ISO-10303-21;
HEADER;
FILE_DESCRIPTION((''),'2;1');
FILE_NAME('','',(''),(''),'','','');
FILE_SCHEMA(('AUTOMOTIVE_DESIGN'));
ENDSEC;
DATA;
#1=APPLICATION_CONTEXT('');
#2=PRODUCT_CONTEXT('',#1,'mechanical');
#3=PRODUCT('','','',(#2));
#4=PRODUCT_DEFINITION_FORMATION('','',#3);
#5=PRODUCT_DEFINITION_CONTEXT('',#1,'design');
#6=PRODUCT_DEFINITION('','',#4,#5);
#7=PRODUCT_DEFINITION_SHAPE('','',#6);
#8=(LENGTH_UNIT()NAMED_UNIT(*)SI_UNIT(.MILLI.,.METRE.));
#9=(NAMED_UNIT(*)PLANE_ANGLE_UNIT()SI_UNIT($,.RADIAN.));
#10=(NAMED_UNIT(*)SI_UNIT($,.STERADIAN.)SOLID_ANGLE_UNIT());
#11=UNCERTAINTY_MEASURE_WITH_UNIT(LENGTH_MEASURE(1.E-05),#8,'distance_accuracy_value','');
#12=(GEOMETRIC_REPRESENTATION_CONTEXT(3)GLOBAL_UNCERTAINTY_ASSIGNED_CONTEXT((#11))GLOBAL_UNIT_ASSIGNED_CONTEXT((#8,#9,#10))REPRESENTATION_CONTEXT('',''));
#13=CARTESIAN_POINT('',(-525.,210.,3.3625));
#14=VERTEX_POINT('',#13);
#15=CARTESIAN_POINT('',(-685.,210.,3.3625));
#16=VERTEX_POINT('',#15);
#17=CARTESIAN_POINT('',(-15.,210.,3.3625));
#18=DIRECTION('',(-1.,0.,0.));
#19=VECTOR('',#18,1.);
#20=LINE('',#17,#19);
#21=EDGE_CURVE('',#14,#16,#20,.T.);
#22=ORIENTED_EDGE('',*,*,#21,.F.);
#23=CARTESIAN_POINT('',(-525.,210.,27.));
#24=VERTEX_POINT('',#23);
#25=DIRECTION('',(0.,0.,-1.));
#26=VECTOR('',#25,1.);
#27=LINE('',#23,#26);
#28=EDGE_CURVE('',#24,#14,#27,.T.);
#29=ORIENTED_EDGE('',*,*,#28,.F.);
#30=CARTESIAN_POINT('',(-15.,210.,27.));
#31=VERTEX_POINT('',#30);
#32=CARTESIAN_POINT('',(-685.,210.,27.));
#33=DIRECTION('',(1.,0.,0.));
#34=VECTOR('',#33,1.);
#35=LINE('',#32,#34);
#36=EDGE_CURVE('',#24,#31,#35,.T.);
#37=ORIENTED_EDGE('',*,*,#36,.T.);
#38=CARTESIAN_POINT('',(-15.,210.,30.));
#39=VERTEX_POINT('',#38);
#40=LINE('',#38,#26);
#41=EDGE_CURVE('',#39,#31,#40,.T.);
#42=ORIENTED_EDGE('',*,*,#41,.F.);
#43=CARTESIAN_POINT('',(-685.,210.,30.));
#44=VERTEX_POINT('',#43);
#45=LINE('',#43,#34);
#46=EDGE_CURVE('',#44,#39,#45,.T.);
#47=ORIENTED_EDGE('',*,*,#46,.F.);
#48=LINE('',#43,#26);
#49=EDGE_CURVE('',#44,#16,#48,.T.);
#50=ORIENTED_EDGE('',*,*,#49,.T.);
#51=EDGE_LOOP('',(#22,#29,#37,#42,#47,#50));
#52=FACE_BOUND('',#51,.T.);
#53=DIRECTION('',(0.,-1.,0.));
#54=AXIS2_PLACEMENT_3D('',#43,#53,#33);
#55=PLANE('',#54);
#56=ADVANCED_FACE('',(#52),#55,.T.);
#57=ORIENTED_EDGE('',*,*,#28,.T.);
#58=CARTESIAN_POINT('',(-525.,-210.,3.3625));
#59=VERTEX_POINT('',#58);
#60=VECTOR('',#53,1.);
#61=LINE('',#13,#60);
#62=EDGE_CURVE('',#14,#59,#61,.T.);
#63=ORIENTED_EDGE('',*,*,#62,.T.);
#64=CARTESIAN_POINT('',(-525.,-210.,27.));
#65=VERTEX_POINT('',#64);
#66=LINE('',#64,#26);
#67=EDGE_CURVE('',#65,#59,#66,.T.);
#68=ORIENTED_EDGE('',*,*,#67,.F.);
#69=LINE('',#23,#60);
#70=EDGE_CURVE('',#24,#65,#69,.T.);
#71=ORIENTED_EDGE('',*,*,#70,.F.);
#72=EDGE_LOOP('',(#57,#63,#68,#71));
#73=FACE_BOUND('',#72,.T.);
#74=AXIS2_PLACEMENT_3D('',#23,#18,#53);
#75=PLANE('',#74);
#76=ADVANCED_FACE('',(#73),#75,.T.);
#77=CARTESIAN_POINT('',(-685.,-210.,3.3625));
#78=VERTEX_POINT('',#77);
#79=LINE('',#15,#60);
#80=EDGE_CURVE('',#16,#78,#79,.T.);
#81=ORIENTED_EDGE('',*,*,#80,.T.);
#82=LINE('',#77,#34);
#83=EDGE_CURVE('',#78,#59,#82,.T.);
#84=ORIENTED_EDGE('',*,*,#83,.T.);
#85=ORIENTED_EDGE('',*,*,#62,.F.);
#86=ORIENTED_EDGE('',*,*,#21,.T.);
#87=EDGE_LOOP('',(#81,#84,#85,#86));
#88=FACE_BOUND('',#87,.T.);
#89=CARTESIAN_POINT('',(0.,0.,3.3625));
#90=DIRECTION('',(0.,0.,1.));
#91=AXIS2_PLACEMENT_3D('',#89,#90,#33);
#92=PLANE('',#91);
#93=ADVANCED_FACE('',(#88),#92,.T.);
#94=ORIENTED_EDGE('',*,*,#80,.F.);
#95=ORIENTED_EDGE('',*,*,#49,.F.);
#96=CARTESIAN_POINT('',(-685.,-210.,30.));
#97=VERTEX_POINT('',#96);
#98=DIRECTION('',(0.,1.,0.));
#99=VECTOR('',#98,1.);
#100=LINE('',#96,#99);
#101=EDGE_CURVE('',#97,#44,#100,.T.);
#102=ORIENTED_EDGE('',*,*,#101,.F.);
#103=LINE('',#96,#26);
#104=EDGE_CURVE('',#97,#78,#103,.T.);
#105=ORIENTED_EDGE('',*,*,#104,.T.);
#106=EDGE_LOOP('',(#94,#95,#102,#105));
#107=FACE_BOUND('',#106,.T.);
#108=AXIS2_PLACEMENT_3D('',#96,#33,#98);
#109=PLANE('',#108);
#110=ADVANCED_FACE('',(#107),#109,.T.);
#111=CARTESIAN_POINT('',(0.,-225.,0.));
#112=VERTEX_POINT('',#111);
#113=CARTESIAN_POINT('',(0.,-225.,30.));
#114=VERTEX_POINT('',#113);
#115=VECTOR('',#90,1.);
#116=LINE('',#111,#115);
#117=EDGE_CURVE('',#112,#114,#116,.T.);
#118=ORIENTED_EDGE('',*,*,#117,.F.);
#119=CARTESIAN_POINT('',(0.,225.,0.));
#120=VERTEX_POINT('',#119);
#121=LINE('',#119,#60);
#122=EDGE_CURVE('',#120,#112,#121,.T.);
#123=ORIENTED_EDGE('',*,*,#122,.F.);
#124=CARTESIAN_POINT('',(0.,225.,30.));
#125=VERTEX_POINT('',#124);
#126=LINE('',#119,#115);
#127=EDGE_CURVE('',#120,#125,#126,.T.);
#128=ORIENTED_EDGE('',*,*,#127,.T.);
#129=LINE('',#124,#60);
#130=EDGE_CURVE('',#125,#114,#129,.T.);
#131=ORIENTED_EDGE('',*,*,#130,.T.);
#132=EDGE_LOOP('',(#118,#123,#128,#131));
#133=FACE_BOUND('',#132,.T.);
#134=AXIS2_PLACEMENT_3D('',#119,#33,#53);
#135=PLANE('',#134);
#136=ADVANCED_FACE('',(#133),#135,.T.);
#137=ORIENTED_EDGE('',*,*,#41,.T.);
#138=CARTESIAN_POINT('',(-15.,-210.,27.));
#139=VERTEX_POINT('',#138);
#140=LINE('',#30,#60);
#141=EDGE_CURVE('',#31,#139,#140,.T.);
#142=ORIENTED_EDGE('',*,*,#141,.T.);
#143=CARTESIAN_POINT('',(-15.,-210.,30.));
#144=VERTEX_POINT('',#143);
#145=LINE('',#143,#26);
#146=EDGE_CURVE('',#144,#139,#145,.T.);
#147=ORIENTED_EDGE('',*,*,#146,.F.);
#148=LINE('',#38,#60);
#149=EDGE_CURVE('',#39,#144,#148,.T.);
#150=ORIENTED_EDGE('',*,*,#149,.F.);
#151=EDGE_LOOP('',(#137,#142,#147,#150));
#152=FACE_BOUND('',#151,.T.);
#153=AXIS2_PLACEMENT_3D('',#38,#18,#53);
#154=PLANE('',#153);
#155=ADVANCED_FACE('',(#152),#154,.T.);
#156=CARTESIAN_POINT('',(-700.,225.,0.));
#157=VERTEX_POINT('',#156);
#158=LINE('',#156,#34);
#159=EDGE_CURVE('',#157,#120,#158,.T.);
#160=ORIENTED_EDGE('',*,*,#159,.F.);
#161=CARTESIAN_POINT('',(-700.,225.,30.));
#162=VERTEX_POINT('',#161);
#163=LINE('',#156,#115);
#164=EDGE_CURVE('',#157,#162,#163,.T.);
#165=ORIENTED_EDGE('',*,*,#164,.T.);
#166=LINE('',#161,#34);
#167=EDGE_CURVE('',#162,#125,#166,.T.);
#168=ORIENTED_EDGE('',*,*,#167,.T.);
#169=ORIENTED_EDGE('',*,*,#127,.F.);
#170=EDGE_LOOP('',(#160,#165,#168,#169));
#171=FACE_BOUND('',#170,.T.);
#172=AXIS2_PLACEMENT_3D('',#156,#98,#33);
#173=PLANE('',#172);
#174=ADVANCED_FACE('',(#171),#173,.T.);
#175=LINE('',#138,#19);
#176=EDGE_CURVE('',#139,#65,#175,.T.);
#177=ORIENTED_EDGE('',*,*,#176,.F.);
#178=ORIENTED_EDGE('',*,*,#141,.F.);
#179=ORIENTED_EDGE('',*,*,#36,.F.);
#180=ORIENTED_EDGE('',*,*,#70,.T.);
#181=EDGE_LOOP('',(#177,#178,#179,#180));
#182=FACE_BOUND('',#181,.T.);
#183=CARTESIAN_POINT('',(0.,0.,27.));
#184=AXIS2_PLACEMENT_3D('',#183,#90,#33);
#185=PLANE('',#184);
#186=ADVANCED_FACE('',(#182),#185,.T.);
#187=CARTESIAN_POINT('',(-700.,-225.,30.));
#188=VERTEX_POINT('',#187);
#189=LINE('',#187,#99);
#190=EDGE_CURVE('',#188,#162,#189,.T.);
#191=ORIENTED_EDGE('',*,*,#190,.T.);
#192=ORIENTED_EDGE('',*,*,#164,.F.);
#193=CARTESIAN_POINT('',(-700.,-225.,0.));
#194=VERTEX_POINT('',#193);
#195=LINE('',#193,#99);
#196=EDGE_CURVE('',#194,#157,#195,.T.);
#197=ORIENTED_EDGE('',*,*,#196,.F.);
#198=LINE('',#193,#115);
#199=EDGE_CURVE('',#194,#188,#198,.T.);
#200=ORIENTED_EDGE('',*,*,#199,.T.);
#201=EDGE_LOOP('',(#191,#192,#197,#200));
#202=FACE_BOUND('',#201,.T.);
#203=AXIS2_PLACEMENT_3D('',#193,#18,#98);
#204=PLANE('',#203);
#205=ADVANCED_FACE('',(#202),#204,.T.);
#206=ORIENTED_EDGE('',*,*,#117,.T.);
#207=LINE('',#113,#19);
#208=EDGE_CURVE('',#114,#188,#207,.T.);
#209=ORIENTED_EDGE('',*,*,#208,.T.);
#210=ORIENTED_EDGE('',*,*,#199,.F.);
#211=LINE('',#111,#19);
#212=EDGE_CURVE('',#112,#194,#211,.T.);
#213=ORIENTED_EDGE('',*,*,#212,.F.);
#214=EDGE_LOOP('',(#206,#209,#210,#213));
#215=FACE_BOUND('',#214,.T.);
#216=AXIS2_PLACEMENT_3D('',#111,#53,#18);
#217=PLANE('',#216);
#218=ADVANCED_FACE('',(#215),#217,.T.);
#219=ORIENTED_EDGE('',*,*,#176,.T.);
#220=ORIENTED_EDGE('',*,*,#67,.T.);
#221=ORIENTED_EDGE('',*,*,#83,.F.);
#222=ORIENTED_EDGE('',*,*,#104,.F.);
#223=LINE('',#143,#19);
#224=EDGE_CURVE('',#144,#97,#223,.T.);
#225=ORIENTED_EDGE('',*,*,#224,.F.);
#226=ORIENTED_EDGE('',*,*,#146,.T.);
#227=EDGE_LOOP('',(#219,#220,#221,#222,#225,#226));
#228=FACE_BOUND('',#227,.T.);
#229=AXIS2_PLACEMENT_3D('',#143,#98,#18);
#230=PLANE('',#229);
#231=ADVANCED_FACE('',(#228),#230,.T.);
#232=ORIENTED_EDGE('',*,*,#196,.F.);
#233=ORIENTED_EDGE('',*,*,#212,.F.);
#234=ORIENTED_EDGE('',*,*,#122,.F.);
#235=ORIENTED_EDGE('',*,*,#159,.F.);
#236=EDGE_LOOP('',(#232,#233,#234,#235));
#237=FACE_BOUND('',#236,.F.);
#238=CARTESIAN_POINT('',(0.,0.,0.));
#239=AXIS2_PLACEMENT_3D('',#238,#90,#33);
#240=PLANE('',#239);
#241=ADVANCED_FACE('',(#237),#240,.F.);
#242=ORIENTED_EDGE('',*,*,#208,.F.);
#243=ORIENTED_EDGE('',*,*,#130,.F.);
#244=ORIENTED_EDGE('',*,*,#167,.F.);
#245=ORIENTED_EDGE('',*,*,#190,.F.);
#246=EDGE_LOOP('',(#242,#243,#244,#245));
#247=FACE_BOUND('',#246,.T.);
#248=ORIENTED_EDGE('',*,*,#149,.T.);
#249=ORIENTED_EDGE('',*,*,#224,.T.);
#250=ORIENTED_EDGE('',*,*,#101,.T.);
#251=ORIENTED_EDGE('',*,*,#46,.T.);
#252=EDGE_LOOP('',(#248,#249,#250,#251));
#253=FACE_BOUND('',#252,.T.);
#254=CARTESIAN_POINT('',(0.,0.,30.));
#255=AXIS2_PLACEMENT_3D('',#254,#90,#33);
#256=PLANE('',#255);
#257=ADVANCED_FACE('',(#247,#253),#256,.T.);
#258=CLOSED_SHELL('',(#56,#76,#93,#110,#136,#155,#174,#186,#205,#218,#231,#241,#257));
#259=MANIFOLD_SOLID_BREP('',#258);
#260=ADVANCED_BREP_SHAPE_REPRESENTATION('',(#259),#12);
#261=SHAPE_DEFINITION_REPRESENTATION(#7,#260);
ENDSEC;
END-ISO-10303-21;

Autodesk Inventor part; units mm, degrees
ref_plane "YZ Plane" through (0, 0, 0) normal (1, 0, 0) x (0, 1, 0)
ref_plane "XZ Plane" through (0, 0, 0) normal (0, 1, 0) x (-1, 0, 0)
ref_plane "XY Plane" through (0, 0, 0) normal (0, 0, 1) x (1, 0, 0)
sketch "Sketch1" plane through (0, 0, 0) normal (0, 0, 1) x (1, 0, 0)
  line L0 (0, 225) -> (0, -225)
  line L1 (0, -225) -> (-700, -225)
  line L2 (-700, -225) -> (-700, 225)
  line L3 (-700, 225) -> (0, 225)
  point P0 (0, 0)
extrude "Extrusion1" add sketch "Sketch1" along normal blind 30
sketch "Sketch2" plane through (0, 0, 30) normal (0, 0, 1) x (1, 0, 0)
  line L0 (0, -225) -> (-700, -225) projected
  line L1 (0, 225) -> (0, -225) projected
  line L2 (-700, 225) -> (0, 225) projected
  line L3 (-700, -225) -> (-700, 225) projected
  line L4 (-15, 210) -> (-15, -210)
  line L5 (-15, -210) -> (-685, -210)
  line L6 (-685, -210) -> (-685, 210)
  line L7 (-685, 210) -> (-15, 210)
  point P0 (0, 0)
  dimension "d2" = 15
extrude "Extrusion2" cut sketch "Sketch2" against normal blind 3 contours L4 L5 L6 L7
sketch "Sketch3" plane through (0, 0, 27) normal (0, 0, 1) x (1, 0, 0)
  line L0 (-15, 210) -> (-685, 210) projected
  line L1 (-685, 210) -> (-685, -210) projected
  line L2 (-685, -210) -> (-15, -210) projected
  line L3 (-525, 210) -> (-525, -210)
  point P0 (0, 0)
  dimension "d5" = 160
extrude "Extrusion3" cut sketch "Sketch3" against normal blind 23.6375
properties part number "CatcherBox"
